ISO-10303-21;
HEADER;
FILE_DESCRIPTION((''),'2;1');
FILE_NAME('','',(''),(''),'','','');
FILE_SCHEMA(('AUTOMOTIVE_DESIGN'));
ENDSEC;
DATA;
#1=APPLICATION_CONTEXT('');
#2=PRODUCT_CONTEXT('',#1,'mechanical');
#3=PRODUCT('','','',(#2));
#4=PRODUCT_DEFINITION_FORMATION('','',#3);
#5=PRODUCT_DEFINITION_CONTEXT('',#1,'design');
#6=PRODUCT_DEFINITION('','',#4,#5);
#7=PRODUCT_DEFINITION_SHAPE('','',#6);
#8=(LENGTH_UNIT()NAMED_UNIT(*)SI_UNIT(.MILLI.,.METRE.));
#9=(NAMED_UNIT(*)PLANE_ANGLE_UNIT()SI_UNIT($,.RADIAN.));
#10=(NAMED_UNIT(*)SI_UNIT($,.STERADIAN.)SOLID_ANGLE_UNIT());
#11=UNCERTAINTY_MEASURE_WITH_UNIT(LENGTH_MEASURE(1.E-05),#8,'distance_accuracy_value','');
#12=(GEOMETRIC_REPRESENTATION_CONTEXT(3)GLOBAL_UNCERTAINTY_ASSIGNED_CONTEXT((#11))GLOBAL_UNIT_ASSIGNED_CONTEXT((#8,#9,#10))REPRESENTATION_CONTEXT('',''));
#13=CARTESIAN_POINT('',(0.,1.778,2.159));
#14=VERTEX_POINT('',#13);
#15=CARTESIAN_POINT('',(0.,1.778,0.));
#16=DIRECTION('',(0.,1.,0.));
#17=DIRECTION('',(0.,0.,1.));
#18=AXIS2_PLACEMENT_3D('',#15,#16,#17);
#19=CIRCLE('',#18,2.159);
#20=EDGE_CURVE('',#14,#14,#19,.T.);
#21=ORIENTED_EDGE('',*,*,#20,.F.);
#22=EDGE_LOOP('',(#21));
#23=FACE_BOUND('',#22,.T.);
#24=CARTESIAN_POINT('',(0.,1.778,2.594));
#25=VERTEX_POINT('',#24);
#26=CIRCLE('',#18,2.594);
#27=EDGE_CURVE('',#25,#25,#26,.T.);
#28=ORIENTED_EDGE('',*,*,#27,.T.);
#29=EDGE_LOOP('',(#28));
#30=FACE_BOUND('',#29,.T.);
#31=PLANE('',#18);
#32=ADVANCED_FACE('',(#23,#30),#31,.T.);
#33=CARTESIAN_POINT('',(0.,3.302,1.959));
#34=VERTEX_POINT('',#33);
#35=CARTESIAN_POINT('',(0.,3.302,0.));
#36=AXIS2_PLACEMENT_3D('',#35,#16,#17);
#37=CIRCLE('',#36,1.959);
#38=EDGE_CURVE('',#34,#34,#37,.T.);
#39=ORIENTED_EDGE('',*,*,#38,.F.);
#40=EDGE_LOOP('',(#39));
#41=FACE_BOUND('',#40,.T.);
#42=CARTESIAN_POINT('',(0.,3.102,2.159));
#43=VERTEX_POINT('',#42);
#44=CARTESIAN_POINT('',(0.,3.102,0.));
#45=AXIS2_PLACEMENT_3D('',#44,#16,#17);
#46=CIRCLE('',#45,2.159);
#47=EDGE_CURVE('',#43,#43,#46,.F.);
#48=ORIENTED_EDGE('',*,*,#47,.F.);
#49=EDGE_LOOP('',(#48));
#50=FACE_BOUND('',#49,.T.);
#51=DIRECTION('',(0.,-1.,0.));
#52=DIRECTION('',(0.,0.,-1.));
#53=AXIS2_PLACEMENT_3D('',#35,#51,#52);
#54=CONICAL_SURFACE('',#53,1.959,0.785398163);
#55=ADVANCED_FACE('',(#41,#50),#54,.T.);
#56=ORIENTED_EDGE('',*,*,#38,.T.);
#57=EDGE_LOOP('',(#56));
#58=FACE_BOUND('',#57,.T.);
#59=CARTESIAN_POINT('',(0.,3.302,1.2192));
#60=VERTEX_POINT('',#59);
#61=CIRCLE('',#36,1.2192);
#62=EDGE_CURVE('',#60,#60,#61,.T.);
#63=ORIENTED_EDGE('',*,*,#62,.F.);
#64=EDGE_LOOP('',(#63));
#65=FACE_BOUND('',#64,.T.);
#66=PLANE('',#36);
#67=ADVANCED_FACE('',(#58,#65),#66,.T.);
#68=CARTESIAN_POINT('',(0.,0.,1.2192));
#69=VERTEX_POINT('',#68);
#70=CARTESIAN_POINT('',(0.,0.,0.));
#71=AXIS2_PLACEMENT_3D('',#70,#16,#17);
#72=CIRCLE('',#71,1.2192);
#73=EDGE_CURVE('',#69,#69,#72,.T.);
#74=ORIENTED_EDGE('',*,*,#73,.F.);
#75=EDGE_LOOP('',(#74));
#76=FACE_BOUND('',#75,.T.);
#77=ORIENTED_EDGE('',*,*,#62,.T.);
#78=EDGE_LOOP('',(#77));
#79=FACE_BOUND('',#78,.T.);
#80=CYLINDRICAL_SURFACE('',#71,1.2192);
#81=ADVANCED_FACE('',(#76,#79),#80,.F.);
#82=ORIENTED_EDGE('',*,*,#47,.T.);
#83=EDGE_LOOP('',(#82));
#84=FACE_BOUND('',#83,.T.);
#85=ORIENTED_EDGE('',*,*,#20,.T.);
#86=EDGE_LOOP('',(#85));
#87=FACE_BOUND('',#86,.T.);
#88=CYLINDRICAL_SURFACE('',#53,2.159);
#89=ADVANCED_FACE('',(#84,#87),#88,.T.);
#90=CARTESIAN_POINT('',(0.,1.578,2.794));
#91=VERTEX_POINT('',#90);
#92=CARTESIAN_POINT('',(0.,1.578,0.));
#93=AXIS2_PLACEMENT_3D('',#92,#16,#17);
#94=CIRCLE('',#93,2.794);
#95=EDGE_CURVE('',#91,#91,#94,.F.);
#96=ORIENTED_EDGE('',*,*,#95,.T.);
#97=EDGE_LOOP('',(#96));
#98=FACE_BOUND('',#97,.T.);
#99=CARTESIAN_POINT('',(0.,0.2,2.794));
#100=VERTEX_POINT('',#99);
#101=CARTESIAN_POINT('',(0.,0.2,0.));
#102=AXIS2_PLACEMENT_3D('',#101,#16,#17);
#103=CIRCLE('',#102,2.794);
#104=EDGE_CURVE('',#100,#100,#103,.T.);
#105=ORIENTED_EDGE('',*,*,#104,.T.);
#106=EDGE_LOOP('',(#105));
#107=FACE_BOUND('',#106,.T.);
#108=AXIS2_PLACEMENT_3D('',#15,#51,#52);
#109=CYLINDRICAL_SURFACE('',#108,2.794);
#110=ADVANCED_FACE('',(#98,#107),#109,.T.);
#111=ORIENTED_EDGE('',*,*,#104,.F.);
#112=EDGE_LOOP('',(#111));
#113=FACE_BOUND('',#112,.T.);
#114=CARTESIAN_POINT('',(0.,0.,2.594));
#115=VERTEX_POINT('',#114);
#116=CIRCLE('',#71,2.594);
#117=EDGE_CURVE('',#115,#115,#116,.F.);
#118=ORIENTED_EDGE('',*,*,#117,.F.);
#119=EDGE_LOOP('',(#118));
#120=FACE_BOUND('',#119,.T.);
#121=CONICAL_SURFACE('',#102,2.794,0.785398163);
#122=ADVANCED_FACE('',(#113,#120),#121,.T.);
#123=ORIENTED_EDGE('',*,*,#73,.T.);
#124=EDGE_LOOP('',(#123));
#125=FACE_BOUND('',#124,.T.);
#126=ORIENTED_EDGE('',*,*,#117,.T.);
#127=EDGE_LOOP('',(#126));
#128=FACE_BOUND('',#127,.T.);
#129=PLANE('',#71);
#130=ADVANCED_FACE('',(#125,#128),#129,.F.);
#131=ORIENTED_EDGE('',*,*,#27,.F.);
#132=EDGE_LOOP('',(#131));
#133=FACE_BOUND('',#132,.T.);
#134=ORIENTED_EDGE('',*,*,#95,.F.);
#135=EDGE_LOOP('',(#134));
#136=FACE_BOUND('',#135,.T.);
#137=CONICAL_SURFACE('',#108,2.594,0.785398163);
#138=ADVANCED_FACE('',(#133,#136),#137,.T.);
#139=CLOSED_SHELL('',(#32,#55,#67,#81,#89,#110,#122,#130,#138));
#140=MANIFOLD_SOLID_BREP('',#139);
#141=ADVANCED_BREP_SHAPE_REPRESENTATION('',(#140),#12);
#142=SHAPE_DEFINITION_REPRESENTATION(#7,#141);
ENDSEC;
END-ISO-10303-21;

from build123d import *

# Parameters (mm, degrees)
SKETCH1_R           = 2.794
BOSS_EXTRUDE1_DEPTH = 1.778
CHAMFER1_SIZE       = 0.2
SKETCH2_R           = 2.159
BOSS_EXTRUDE2_DEPTH = 1.524
CHAMFER2_SIZE       = 0.2
SKETCH3_R           = 1.2192
CUT_EXTRUDE1_DEPTH  = 4.302


with BuildPart() as part:
    # Sketch1 → Boss-Extrude1 (new body)
    with BuildSketch(Plane(origin=(0, 0, 0), x_dir=(1, 0, 0), z_dir=(0, 1, 0))):
        Circle(SKETCH1_R)
    extrude(amount=BOSS_EXTRUDE1_DEPTH)

    # Chamfer1
    chamfer1_edges = [part.edges().sort_by_distance(p)[0] for p in [
        (-2.794, 0, 0),
        (-2.794, 1.778, 0),
    ]]
    chamfer(chamfer1_edges, length=CHAMFER1_SIZE)

    # Sketch2 → Boss-Extrude2 (add)
    with BuildSketch(Plane(origin=(0, 1.778, 0), x_dir=(1, 0, 0), z_dir=(0, 1, 0))):
        Circle(SKETCH2_R)
    extrude(amount=BOSS_EXTRUDE2_DEPTH)

    # Chamfer2
    chamfer2_edges = [part.edges().sort_by_distance(p)[0] for p in [
        (-2.159, 3.302, 0),
    ]]
    chamfer(chamfer2_edges, length=CHAMFER2_SIZE)

    # Sketch3 → Cut-Extrude1 (cut, through all)
    with BuildSketch(Plane(origin=(0, 3.302, 0), x_dir=(1, 0, 0), z_dir=(0, 1, 0))):
        Circle(SKETCH3_R)
    extrude(amount=-CUT_EXTRUDE1_DEPTH, mode=Mode.SUBTRACT)


solid = part.part
